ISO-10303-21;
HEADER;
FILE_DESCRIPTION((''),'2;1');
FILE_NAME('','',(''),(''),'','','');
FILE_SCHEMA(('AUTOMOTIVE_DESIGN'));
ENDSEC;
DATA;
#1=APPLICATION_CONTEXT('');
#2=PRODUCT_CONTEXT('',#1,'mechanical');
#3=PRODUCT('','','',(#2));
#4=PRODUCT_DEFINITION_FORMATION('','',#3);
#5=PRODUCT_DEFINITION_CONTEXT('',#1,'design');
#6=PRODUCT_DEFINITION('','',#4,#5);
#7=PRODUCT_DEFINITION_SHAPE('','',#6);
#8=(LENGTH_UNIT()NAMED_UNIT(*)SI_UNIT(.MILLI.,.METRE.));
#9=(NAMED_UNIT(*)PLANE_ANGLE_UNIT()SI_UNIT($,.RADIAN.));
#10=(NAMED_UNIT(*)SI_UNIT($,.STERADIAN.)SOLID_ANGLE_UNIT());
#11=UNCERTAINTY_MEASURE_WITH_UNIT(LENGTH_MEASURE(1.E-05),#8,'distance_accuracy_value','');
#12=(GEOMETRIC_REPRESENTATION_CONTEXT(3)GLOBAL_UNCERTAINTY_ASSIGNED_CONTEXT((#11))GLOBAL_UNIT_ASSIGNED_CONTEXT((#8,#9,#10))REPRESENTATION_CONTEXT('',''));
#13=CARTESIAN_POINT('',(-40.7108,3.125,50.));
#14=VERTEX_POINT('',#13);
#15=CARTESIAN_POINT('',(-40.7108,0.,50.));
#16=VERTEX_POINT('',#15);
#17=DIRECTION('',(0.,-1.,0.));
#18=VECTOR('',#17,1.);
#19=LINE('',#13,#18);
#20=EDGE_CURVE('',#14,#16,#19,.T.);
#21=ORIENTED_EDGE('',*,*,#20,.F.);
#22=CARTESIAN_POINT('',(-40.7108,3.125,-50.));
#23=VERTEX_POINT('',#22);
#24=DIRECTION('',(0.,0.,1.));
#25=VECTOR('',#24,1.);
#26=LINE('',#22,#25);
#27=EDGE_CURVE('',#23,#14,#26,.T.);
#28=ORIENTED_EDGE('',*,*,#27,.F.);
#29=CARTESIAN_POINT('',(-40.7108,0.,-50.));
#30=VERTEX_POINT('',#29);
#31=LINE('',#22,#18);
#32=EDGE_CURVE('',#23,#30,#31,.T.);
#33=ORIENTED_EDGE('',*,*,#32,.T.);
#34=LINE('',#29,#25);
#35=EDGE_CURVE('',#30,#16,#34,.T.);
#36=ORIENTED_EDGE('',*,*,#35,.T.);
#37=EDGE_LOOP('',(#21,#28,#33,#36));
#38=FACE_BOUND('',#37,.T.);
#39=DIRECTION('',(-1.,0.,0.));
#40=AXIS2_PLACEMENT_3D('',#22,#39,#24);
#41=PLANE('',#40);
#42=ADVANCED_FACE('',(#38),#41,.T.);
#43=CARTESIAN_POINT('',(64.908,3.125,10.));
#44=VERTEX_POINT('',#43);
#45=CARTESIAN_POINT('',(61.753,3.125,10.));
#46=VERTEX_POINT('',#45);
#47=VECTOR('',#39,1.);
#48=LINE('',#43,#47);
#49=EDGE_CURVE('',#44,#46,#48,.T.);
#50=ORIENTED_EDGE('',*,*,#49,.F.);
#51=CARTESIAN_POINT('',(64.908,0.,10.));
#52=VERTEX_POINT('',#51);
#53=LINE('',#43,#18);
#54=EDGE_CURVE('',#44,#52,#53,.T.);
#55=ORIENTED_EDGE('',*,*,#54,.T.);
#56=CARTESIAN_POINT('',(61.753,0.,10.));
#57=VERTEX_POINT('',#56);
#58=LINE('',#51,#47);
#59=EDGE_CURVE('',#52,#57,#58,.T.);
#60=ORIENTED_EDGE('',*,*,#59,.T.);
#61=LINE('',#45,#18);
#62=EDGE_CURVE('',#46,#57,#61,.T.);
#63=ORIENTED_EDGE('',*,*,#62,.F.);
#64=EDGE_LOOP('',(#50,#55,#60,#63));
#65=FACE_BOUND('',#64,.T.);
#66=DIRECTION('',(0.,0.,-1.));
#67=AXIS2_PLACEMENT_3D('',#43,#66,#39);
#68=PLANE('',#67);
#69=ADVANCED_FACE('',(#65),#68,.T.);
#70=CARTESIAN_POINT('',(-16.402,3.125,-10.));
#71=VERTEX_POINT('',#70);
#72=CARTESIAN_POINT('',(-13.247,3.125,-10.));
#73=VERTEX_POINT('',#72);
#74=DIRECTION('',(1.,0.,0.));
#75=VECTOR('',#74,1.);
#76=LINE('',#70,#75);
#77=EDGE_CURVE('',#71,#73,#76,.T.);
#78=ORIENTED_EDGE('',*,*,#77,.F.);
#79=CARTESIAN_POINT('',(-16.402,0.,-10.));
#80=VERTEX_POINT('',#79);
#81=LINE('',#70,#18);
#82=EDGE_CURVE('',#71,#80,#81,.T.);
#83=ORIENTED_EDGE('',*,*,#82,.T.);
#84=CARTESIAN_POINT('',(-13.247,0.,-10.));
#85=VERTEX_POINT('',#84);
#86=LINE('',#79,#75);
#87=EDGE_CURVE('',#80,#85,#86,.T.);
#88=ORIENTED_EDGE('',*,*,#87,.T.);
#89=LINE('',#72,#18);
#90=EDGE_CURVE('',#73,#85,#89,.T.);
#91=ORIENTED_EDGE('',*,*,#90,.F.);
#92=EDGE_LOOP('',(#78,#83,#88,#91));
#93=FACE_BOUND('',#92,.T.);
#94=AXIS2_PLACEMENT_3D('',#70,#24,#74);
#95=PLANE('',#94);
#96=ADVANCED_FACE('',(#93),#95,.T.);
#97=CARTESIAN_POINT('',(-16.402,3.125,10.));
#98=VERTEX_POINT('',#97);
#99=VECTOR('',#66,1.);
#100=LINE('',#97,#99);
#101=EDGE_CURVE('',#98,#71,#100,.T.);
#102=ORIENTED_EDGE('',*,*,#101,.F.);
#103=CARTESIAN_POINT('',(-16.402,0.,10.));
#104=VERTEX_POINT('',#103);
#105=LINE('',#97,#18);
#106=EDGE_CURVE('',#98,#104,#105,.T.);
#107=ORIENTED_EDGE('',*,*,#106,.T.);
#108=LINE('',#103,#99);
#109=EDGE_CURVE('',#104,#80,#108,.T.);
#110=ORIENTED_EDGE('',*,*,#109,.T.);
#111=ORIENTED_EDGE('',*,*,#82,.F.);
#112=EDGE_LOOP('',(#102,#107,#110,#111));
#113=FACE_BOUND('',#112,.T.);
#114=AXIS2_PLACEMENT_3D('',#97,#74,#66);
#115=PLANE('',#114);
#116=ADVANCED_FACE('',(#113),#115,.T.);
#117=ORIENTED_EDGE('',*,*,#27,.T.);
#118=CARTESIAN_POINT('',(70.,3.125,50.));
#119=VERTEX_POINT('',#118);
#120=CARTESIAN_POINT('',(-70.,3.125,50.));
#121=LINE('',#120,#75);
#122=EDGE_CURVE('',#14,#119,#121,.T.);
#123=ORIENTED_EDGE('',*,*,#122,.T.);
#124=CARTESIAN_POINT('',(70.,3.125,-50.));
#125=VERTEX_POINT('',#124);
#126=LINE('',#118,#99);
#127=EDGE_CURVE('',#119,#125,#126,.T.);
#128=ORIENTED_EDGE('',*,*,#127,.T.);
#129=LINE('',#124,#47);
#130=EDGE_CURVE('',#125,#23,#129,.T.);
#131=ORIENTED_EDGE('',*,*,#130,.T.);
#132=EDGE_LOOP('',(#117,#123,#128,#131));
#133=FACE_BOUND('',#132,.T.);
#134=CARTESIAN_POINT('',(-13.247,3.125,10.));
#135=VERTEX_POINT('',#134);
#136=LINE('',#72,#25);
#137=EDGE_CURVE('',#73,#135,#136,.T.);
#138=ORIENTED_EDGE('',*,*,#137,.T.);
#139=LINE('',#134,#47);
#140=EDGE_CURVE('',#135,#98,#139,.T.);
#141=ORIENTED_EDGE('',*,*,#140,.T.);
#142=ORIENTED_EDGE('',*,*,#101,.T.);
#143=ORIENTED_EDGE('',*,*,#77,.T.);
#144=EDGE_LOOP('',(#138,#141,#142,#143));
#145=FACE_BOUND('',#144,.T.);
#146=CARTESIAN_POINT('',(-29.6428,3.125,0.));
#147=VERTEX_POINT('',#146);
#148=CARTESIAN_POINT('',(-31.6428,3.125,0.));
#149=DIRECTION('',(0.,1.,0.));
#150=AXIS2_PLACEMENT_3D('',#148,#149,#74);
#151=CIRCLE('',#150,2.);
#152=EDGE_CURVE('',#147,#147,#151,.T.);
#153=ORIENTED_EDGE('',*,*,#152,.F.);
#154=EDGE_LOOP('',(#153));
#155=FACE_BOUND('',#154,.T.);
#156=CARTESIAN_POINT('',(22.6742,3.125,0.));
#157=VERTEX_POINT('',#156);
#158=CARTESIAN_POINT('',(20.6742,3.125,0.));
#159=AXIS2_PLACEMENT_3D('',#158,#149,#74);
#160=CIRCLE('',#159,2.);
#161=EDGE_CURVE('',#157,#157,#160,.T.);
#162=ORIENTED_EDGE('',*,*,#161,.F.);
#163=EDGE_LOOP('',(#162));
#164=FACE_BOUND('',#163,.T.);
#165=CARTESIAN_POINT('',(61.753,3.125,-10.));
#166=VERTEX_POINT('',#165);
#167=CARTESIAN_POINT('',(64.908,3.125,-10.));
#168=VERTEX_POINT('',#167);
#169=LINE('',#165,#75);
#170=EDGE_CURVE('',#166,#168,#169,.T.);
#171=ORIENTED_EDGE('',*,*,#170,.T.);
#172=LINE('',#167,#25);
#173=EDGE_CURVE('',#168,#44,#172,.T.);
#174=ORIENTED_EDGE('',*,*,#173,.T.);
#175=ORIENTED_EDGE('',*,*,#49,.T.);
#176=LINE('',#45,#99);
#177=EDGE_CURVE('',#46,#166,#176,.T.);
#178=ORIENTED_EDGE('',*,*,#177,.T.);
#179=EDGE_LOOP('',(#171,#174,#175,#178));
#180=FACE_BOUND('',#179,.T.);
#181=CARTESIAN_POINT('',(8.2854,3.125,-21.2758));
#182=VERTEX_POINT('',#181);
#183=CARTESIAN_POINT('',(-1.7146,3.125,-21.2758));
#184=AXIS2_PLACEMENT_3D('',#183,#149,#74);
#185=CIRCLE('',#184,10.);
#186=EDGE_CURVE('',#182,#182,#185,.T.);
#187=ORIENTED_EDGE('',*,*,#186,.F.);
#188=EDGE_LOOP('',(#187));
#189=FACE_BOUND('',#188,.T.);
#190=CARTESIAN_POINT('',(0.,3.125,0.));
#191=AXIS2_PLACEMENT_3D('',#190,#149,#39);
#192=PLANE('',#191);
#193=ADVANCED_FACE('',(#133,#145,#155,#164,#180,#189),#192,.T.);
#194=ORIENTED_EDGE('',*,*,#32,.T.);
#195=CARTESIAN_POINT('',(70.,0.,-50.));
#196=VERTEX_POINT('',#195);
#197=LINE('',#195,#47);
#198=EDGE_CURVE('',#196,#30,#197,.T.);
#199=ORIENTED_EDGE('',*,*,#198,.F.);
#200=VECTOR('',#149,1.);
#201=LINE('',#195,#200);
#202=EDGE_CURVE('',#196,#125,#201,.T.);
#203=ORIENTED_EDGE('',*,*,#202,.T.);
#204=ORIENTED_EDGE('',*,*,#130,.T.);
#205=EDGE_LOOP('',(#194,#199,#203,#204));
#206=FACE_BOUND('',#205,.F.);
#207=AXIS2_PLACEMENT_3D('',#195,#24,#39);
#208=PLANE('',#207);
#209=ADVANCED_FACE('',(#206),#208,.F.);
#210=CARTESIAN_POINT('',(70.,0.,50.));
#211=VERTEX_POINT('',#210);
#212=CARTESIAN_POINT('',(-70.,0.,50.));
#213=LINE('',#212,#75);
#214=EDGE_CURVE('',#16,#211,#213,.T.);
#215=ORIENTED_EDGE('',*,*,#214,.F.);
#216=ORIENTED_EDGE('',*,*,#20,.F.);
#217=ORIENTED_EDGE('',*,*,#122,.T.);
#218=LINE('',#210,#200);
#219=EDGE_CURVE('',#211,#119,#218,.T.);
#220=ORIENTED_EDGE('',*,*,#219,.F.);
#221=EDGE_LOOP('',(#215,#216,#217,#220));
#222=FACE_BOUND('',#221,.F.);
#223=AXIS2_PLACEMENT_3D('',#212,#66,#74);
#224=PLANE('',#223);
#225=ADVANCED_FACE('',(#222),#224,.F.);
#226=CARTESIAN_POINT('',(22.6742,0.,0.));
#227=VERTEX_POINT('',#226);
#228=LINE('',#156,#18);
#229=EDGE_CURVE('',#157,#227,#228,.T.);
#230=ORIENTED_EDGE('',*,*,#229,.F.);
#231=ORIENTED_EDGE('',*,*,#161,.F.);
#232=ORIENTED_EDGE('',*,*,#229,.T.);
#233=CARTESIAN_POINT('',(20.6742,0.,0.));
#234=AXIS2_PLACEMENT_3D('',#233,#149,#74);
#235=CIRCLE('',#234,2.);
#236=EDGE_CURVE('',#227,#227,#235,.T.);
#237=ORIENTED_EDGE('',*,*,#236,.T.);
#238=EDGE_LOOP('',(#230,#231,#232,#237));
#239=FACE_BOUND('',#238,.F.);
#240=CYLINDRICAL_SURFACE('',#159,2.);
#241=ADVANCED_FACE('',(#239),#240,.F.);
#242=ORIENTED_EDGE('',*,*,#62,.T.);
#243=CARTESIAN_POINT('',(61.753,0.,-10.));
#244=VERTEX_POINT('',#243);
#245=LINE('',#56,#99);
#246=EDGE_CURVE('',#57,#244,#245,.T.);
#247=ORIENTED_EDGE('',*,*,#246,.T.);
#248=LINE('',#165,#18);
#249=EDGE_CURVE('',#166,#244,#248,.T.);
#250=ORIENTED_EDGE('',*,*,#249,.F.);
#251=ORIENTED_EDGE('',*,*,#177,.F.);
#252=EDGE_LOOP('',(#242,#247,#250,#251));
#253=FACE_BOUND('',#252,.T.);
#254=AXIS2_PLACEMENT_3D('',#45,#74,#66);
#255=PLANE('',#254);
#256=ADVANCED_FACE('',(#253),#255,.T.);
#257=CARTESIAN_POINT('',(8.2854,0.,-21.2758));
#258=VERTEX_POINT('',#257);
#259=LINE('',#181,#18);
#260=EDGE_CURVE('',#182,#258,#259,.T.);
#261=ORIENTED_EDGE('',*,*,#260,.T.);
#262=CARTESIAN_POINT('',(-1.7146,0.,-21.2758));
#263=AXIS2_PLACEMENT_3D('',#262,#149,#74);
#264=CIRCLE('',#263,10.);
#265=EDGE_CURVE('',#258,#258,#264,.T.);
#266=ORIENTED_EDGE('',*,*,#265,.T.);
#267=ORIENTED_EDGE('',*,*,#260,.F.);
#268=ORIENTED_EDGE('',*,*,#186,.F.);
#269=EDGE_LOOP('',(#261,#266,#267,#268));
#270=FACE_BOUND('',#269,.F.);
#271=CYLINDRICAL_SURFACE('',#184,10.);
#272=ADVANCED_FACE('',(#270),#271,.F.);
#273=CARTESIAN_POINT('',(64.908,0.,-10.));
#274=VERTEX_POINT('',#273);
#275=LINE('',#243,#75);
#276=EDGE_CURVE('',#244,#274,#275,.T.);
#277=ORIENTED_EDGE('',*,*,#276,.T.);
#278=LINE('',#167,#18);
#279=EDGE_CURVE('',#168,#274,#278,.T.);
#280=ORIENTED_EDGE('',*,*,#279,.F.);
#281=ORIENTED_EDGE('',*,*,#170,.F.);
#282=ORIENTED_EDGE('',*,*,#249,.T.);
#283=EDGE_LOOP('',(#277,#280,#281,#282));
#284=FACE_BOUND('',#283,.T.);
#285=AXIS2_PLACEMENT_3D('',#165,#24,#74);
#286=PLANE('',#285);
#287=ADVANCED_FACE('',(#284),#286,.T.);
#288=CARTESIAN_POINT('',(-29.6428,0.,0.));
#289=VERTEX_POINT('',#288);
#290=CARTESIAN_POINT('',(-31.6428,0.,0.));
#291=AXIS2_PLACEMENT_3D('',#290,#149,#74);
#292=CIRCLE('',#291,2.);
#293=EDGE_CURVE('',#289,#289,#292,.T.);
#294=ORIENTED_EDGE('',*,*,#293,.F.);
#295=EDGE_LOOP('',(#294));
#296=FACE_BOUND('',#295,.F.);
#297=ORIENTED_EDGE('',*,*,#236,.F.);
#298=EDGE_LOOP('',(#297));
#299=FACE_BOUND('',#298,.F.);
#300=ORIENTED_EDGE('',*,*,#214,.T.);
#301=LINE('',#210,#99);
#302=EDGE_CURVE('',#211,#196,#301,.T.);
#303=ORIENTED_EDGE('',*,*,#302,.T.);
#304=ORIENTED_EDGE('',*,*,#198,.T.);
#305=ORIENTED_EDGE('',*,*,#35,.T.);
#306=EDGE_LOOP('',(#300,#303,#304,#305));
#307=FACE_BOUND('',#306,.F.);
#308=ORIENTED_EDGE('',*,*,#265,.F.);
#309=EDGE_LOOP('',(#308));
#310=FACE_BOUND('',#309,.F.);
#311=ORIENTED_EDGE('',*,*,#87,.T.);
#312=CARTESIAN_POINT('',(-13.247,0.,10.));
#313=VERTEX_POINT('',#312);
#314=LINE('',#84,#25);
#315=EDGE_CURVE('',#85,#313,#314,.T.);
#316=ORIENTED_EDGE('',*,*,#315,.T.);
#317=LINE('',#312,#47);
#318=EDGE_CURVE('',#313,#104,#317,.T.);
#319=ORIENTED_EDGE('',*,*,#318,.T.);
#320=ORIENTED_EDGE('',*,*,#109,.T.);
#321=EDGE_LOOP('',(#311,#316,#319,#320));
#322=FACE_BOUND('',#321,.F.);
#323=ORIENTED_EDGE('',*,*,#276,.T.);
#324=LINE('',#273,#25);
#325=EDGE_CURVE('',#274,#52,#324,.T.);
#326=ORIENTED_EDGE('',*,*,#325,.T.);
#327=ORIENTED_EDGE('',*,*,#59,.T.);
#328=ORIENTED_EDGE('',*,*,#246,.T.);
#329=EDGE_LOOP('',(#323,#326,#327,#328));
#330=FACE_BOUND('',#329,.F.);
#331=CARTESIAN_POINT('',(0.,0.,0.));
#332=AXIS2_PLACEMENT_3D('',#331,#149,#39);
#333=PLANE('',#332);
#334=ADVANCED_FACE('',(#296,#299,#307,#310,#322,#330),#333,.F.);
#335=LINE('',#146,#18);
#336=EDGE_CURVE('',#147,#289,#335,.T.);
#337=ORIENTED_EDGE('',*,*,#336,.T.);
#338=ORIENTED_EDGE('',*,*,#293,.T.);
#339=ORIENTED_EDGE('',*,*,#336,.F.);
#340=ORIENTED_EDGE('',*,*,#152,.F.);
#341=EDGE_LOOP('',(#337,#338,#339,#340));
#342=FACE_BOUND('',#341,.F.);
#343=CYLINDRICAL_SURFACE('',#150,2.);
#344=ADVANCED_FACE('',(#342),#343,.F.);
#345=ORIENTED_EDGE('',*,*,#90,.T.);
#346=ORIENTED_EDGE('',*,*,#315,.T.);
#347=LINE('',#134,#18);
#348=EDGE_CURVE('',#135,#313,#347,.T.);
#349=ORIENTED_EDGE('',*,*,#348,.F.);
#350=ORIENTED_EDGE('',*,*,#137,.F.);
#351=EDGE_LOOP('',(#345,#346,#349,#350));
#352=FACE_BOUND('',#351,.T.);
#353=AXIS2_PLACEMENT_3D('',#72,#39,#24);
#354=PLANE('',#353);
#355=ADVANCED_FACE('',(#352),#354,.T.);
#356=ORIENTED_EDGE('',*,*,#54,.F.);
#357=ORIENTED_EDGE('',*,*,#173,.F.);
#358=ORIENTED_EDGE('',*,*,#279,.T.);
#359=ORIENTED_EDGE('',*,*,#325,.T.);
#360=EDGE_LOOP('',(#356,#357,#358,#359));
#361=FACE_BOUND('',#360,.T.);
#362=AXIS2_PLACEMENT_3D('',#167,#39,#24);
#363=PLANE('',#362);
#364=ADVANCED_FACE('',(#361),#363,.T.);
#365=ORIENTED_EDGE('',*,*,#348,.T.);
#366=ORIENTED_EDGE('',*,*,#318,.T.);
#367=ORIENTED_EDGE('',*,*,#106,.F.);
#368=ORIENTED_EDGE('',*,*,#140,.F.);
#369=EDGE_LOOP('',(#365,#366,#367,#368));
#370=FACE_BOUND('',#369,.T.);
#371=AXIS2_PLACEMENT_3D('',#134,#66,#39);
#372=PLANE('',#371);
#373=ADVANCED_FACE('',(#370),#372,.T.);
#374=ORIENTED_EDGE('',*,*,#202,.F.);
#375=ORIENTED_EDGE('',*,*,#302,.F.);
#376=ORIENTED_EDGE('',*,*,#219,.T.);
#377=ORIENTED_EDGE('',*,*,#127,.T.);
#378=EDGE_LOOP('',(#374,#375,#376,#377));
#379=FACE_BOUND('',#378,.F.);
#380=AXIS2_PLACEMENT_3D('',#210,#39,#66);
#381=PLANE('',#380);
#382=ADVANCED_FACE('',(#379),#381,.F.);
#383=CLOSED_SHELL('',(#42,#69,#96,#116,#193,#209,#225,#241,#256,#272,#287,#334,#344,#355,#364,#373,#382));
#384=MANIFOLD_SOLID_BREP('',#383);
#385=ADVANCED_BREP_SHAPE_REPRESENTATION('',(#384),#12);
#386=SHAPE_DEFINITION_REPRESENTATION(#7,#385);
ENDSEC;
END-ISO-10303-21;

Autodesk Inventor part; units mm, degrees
ref_plane "YZ Plane" through (0, 0, 0) normal (1, 0, 0) x (0, 1, 0)
ref_plane "XZ Plane" through (0, 0, 0) normal (0, 1, 0) x (-1, 0, 0)
ref_plane "XY Plane" through (0, 0, 0) normal (0, 0, 1) x (1, 0, 0)
sketch "Sketch1" plane through (0, 0, 0) normal (0, 1, 0) x (-1, 0, 0)
  line L0 (70, 50) -> (-70, 50)
  line L1 (-70, 50) -> (-70, -50)
  line L2 (-70, -50) -> (70, -50)
  line L3 (70, -50) -> (70, 50)
  line L4 (70, 50) -> (-70, -50) construction
  line L5 (-70, 50) -> (70, -50) construction
  point P0 (0, 0)
  dimension "d0" = 140
  dimension "d1" = 100
extrude "Extrusion1" add sketch "Sketch1" along normal blind 3.125
sketch "Sketch9" plane through (0, 3.125, 0) normal (0, 1, 0) x (1, 0, 0)
  circle A0 centre (-1.7146, 21.2758) radius 10
  point P0 (0, 0)
  dimension "d41" = 20
extrude "Extrusion9" cut sketch "Sketch9" against normal blind 10
sketch "Sketch10" plane through (0, 3.125, 0) normal (0, 1, 0) x (1, 0, 0)
  circle A0 centre (-31.6428, 0) radius 2
  point P0 (0, 0)
  dimension "d44" = 4
extrude "Extrusion10" cut sketch "Sketch10" against normal blind 5
sketch "Sketch11" plane through (0, 3.125, 0) normal (0, 1, 0) x (1, 0, 0)
  circle A0 centre (20.6742, 0) radius 2
  point P0 (0, 0)
  dimension "d47" = 4
extrude "Extrusion11" cut sketch "Sketch11" against normal blind 5
sketch "Sketch15" plane through (0, 3.125, 0) normal (0, 1, 0) x (1, 0, 0)
  line L0 (-16.402, 10) -> (-13.247, 10)
  line L1 (-13.247, 10) -> (-13.247, -10)
  line L2 (-13.247, -10) -> (-16.402, -10)
  line L3 (-16.402, -10) -> (-16.402, 10)
  line L4 (-16.402, 10) -> (-13.247, -10) construction
  line L5 (-13.247, 10) -> (-16.402, -10) construction
  line L6 (61.753, 10) -> (64.908, 10)
  line L7 (64.908, 10) -> (64.908, -10)
  line L8 (64.908, -10) -> (61.753, -10)
  line L9 (61.753, -10) -> (61.753, 10)
  line L10 (61.753, 10) -> (64.908, -10) construction
  line L11 (64.908, 10) -> (61.753, -10) construction
  point P0 (0, 0)
  point P1 (-14.8245, 0)
  point P2 (63.3305, 0)
  dimension "d68" = 3.155
  dimension "d69" = 20
  dimension "d70" = 3.155
  dimension "d71" = 20
  dimension "d72" = 75
extrude "Extrusion14" cut sketch "Sketch15" against normal blind 3.125
sketch "Sketch16" plane through (0, 3.125, 0) normal (0, 1, 0) x (1, 0, 0)
  line L0 (-70, -50) -> (70, -50) projected
  line L1 (-70, 50) -> (-40.7108, 50)
  line L2 (-40.7108, 50) -> (-40.7108, -50)
  line L3 (-40.7108, -50) -> (-70, -50)
  line L4 (-70, -50) -> (-70, 50)
  point P0 (0, 0)
extrude "Extrusion15" cut sketch "Sketch16" against normal blind 3.125
properties part number "Base"
